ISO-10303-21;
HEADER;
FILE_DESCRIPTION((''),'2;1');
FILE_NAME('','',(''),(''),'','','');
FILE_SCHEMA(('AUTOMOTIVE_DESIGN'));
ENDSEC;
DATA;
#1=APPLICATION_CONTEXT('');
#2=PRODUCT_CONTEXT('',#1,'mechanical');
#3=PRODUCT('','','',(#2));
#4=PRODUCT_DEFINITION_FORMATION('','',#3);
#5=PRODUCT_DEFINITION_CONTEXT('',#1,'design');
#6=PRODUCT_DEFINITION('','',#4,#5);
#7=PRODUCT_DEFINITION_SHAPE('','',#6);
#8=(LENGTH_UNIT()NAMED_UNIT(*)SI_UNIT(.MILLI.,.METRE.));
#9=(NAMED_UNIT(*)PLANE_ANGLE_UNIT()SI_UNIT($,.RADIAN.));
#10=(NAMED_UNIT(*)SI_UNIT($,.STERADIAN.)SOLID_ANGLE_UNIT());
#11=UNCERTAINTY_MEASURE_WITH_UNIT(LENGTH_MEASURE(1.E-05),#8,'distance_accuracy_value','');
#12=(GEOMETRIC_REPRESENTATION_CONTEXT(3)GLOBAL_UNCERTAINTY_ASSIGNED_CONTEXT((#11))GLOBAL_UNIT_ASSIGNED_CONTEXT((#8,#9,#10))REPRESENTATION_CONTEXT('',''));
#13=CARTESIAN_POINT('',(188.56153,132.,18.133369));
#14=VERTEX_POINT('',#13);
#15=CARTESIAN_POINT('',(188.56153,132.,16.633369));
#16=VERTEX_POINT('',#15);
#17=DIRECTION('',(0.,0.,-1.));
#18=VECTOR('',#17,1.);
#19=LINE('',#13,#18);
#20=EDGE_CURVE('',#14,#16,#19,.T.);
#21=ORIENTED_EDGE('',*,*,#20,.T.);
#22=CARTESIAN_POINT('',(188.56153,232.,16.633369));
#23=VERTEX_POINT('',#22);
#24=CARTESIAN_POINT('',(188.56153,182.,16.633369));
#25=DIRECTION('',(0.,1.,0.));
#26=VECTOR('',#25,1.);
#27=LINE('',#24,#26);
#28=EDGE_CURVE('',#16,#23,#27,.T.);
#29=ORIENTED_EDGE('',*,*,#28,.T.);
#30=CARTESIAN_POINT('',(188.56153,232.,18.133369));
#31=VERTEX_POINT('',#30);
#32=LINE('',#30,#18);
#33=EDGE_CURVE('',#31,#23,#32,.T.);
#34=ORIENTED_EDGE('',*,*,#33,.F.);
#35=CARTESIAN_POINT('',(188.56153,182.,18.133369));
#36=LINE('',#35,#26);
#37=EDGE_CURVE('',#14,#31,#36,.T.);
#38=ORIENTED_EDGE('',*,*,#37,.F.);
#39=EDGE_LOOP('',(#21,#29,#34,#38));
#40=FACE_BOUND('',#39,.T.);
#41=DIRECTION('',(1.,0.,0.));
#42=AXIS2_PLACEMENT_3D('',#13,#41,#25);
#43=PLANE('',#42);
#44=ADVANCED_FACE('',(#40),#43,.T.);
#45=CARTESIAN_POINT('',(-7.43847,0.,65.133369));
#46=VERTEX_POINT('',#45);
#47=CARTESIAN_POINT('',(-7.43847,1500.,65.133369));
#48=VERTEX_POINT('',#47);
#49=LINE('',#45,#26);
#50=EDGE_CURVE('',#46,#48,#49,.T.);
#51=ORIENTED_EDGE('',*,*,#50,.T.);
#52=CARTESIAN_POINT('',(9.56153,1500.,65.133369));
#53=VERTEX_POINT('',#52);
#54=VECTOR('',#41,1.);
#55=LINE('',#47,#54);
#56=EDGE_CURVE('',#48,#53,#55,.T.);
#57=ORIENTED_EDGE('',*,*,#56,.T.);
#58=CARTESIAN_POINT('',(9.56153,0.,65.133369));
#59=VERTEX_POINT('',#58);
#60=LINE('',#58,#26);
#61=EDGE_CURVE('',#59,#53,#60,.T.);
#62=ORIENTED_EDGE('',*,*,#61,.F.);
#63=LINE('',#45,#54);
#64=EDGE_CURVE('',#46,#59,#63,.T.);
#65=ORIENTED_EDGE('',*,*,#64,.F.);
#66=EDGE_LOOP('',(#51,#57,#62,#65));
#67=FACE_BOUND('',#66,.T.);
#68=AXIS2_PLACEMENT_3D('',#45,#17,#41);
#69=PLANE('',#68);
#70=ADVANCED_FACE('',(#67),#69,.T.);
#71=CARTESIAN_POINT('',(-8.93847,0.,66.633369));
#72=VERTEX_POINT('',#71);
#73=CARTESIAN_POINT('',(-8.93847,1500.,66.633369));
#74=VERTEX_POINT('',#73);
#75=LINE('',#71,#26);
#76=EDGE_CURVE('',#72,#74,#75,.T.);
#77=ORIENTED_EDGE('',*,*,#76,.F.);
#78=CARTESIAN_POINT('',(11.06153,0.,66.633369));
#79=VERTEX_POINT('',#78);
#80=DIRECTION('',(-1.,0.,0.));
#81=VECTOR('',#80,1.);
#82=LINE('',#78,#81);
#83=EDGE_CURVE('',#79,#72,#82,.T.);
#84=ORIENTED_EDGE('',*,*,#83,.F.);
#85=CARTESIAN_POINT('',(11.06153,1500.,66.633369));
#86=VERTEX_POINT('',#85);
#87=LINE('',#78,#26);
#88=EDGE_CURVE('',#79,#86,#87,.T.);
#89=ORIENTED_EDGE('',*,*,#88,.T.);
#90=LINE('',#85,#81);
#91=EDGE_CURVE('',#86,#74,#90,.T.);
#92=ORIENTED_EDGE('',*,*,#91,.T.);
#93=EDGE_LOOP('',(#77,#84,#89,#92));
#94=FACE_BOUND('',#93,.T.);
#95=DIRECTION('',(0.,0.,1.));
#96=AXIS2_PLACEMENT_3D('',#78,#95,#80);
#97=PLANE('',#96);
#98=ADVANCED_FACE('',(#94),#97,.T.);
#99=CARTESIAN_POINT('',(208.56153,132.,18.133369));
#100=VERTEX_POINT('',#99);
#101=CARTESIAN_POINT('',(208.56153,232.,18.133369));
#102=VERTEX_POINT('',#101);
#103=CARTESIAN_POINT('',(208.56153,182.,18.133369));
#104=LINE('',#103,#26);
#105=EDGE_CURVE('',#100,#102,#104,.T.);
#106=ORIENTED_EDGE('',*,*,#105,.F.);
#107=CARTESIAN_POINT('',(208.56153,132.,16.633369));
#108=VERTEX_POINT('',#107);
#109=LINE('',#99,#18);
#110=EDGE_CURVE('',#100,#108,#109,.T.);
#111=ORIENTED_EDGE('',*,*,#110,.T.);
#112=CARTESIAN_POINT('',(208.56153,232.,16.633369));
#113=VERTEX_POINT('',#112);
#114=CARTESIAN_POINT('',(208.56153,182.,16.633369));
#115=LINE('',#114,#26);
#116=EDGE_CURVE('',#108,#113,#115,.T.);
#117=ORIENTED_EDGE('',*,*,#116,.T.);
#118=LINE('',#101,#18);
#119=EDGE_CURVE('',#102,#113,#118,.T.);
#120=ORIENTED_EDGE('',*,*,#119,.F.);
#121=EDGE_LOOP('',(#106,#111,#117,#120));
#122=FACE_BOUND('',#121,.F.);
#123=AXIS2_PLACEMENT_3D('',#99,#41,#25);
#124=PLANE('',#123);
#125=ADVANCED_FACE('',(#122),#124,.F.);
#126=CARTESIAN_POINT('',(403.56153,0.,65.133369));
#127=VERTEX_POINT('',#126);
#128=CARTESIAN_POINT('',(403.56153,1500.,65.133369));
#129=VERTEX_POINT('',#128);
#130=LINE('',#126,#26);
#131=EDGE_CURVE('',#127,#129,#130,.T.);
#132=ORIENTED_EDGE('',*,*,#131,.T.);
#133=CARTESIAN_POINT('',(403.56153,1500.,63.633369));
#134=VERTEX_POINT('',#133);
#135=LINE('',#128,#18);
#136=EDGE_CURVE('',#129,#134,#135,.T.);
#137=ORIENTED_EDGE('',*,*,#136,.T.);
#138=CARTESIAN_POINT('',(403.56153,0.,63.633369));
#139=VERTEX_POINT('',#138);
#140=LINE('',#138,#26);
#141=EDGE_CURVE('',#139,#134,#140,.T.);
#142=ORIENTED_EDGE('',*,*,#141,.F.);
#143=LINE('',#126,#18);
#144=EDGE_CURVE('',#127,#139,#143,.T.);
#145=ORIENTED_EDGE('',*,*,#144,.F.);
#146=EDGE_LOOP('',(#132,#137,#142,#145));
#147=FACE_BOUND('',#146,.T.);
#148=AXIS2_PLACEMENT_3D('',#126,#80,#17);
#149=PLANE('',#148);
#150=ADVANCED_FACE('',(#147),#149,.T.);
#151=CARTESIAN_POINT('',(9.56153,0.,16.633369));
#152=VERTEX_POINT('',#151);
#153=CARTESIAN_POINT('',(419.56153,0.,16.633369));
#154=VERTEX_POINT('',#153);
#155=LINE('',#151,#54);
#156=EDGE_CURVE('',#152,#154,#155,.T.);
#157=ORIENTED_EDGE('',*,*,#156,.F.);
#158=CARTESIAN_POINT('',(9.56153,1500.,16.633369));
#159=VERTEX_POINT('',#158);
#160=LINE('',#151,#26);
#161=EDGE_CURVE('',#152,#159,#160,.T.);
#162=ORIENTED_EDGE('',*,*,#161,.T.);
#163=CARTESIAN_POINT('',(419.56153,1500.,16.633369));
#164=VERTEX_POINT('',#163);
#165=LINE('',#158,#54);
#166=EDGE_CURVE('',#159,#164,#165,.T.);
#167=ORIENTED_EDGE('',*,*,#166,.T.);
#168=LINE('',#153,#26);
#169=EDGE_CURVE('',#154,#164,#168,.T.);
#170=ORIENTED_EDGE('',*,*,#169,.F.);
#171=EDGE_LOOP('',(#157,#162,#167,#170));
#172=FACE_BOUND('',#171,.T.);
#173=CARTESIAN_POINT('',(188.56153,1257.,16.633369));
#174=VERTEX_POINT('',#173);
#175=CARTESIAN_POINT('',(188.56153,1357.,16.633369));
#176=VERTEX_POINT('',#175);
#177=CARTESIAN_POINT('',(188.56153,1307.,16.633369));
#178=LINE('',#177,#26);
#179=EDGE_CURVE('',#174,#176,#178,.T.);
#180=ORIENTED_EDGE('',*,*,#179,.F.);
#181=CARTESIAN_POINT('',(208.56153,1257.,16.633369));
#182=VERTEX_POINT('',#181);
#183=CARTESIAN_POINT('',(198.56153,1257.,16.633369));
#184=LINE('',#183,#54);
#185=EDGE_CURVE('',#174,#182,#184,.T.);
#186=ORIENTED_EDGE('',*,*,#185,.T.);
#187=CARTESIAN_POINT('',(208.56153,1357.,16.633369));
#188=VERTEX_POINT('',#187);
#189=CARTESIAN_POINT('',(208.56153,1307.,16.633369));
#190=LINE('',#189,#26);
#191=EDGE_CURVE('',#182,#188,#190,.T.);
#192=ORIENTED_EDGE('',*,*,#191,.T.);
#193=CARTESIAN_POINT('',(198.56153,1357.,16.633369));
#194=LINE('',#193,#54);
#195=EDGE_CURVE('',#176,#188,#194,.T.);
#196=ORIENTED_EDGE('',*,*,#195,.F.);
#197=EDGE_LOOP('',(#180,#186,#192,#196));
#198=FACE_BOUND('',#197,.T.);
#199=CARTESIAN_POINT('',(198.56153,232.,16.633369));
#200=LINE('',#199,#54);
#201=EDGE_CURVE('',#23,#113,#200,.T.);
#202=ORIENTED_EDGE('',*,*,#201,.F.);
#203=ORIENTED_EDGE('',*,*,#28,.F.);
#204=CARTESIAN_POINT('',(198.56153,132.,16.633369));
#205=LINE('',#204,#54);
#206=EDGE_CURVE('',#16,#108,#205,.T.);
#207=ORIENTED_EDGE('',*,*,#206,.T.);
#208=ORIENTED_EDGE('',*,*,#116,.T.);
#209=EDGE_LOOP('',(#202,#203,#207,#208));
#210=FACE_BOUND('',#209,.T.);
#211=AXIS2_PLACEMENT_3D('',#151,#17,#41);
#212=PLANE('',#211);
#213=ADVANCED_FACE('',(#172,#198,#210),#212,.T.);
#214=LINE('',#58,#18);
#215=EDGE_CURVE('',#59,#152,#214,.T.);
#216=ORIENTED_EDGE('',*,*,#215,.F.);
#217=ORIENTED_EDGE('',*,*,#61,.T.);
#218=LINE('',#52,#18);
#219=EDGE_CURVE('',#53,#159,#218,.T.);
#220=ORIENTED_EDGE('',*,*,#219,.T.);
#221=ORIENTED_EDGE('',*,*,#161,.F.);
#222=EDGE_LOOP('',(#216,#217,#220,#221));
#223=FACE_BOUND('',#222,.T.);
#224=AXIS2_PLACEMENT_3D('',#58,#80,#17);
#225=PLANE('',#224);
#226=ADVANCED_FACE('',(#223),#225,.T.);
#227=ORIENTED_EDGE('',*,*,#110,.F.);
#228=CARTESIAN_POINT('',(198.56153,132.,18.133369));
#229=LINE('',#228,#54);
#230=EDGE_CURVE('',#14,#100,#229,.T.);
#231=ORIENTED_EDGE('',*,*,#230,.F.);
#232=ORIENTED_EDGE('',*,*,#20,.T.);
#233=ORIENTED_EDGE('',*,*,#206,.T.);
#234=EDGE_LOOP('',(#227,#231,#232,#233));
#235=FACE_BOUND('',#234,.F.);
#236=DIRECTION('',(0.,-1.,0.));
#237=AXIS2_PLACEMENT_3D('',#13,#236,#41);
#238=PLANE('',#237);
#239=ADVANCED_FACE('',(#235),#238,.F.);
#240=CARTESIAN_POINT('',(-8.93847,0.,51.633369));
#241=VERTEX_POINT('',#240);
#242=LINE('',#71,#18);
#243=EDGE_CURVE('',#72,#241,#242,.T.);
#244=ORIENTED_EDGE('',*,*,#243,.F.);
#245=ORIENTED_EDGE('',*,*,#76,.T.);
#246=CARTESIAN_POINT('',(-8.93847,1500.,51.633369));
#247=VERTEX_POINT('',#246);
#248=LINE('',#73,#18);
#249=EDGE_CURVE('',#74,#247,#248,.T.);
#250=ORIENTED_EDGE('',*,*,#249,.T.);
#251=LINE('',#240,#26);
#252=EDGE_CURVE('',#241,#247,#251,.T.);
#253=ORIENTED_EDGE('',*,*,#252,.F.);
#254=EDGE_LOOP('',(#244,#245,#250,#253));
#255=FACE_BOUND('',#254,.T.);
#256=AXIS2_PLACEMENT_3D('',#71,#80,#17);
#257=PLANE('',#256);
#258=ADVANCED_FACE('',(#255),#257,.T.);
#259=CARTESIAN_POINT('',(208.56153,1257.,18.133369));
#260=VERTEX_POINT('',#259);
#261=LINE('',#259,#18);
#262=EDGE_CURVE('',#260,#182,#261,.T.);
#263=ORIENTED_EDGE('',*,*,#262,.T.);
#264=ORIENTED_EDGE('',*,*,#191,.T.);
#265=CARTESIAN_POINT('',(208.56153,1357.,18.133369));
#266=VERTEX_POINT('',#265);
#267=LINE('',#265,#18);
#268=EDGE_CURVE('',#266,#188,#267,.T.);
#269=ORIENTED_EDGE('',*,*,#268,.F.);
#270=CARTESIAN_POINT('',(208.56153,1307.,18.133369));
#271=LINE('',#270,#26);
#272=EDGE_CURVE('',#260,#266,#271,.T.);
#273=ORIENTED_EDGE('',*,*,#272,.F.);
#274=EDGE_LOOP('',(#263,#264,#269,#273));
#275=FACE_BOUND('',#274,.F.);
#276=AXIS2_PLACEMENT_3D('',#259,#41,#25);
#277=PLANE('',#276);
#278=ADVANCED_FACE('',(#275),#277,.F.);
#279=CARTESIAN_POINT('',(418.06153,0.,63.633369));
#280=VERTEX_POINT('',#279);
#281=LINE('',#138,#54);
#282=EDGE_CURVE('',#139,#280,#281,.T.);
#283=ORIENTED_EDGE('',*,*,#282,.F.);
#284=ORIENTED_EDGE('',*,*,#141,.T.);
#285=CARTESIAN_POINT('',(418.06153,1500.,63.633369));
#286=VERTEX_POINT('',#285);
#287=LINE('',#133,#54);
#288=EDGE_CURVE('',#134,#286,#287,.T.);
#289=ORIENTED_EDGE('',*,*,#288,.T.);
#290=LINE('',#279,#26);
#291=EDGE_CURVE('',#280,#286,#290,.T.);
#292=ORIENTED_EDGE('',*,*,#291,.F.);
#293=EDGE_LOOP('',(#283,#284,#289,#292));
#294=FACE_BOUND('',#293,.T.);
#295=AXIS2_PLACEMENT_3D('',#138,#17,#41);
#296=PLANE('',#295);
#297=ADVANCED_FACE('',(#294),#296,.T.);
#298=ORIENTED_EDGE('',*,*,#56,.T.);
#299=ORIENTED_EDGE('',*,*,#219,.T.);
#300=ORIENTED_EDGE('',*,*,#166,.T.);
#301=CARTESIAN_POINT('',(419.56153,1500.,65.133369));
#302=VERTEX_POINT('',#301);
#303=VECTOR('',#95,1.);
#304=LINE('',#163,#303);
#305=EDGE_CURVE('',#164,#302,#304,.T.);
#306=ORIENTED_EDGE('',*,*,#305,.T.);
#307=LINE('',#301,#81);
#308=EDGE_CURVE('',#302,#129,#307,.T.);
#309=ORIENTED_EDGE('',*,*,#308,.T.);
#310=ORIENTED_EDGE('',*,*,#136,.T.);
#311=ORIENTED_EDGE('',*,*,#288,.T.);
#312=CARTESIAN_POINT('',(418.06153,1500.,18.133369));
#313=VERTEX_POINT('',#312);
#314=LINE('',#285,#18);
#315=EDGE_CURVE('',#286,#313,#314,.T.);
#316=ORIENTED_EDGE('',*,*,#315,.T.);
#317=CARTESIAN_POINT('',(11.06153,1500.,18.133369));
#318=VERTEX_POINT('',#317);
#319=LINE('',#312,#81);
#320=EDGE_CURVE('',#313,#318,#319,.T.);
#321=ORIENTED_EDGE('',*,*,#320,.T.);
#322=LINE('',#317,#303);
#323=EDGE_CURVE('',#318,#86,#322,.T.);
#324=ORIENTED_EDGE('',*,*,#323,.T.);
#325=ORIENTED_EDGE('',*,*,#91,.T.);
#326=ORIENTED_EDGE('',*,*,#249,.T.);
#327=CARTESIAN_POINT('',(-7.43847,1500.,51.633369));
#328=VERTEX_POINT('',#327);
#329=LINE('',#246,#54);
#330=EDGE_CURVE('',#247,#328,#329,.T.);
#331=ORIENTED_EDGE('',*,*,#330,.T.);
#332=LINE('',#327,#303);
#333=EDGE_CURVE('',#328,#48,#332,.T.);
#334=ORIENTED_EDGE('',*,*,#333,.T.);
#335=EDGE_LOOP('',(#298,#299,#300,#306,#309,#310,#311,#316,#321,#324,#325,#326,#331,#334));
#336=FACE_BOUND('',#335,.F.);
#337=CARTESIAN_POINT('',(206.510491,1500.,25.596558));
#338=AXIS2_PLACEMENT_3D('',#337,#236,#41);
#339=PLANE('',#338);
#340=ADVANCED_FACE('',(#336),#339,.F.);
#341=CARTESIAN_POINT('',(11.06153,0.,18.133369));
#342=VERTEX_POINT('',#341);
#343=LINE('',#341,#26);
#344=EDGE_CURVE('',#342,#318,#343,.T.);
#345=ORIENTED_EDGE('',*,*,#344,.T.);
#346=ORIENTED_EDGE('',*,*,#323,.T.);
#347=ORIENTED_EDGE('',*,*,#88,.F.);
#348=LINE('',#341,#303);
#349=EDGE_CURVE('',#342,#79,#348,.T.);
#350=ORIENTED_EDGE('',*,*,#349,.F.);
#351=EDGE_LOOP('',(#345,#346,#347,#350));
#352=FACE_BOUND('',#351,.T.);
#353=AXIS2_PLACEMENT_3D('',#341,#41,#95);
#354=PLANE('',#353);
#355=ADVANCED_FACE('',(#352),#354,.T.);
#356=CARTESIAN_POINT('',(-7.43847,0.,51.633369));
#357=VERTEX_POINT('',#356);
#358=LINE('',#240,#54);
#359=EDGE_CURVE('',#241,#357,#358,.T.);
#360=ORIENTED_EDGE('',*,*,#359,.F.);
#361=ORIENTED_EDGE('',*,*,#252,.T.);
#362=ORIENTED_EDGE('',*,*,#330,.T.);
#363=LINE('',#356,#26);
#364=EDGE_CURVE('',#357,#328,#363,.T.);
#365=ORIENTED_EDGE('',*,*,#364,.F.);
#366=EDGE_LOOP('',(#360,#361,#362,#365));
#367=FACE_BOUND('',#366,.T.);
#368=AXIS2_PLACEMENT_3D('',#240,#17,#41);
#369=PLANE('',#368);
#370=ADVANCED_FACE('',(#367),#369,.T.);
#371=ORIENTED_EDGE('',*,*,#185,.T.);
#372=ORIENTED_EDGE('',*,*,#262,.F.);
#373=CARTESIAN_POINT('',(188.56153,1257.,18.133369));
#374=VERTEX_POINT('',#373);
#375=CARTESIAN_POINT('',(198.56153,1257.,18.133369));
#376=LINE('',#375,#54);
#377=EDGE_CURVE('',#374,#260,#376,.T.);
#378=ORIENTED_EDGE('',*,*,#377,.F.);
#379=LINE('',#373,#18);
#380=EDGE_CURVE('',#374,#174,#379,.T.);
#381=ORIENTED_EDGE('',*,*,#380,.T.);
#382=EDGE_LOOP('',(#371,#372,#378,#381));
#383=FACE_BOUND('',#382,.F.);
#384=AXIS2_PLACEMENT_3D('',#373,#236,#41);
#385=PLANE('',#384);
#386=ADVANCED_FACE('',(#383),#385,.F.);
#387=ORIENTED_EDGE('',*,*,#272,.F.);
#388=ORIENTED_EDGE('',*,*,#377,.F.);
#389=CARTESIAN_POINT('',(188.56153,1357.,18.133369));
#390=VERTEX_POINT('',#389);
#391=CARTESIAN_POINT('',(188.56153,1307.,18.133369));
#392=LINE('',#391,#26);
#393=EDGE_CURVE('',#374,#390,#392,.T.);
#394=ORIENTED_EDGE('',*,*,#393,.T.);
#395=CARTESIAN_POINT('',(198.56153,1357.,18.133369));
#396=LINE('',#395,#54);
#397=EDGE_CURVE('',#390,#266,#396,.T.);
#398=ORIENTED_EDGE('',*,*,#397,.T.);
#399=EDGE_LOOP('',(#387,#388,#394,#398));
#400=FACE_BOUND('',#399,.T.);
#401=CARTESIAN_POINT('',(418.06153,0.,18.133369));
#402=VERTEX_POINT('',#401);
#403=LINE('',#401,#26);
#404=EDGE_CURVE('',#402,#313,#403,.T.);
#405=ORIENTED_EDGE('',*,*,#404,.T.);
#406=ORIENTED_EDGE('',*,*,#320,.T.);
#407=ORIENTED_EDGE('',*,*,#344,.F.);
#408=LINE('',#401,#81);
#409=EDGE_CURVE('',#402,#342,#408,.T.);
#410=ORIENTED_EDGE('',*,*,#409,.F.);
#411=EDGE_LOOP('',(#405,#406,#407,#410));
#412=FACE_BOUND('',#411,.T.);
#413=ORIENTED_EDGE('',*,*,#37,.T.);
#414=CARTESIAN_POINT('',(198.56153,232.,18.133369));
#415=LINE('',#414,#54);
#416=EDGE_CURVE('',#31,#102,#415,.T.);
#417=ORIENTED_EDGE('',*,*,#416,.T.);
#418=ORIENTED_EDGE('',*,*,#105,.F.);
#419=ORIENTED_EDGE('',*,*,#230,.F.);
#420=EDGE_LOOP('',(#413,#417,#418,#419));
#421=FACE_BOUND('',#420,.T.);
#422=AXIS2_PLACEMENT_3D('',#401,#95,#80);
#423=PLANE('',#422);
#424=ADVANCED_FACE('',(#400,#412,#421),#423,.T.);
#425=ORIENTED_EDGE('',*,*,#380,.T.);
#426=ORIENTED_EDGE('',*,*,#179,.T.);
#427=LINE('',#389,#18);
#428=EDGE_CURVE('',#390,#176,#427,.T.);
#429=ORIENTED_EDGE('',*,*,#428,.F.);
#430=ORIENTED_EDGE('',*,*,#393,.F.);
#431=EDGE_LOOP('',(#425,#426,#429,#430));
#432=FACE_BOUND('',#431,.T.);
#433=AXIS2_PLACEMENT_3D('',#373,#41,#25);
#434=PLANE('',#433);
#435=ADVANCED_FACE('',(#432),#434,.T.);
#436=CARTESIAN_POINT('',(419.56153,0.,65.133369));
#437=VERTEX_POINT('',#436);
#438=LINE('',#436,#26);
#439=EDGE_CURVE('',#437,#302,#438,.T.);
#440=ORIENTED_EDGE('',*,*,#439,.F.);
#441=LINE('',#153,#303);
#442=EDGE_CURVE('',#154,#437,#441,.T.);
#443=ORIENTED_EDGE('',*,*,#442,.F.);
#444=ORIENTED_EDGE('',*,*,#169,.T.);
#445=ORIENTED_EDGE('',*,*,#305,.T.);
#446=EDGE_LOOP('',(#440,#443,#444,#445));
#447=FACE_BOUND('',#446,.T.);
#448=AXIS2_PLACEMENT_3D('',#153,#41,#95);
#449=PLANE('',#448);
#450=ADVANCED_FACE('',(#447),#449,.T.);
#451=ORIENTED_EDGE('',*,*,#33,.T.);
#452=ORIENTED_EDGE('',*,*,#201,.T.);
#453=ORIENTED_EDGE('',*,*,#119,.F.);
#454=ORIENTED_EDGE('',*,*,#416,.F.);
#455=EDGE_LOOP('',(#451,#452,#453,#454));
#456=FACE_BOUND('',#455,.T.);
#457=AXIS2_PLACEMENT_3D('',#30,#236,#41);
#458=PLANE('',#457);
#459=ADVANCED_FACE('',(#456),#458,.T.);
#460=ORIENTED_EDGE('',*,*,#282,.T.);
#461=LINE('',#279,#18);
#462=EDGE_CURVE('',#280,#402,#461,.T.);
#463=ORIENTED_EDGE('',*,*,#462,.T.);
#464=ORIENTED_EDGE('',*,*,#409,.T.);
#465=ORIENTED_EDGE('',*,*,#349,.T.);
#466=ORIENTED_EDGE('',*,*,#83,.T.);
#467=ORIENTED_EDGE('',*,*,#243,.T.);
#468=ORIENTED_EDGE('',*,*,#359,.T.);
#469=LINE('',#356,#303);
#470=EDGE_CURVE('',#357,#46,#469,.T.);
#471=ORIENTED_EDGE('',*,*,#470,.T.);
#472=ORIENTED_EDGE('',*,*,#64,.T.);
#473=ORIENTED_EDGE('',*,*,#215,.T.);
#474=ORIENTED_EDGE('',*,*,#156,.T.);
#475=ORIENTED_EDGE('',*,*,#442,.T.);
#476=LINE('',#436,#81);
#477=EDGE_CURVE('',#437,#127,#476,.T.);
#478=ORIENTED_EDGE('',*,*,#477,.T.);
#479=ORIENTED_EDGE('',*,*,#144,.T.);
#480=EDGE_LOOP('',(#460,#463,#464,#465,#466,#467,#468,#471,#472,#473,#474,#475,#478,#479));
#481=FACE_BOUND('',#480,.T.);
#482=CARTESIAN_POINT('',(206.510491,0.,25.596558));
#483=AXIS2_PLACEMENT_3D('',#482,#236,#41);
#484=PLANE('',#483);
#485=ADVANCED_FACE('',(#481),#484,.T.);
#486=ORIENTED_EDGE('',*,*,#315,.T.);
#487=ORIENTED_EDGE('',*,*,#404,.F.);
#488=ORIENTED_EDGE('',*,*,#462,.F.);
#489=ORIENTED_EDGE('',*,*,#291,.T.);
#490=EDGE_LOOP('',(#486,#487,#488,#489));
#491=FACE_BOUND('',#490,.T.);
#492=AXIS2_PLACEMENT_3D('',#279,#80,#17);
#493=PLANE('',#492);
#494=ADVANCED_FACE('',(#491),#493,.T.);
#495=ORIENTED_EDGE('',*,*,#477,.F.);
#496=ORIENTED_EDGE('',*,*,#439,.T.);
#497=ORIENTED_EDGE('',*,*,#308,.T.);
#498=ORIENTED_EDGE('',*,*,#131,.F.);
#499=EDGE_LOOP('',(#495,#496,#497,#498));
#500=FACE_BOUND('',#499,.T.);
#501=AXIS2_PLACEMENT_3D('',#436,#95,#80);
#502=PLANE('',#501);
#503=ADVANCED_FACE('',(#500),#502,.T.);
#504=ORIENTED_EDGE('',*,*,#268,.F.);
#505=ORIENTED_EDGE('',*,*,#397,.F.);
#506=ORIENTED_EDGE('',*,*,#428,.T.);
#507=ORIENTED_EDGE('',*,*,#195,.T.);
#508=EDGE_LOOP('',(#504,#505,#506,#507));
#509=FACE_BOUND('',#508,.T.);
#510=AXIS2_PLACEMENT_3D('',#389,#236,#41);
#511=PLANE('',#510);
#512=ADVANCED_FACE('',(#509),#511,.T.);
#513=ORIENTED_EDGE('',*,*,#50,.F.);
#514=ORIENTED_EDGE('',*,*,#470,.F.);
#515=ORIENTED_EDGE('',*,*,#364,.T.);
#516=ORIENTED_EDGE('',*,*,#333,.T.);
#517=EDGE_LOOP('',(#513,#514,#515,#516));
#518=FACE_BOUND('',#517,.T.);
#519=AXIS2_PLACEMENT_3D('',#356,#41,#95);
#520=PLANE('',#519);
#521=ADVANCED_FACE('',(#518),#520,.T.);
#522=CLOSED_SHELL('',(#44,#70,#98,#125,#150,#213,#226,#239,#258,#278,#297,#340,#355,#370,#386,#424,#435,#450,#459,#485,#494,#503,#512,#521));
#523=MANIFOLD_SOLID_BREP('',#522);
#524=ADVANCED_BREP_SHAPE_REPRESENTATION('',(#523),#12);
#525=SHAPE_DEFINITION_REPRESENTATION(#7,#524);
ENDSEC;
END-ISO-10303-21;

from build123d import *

# Parameters (mm, degrees)
F1_DEPTH = 1500
F2_W     = 20
F2_H     = 100
F3_DEPTH = 1.5


with BuildPart() as f1:
    # F0 (on Front) → F1 (new body)
    with BuildSketch(Plane.XZ):
        Polygon((9.56153, 65.133369), (9.56153, 16.633369), (419.56153, 16.633369), (419.56153, 65.133369), (403.56153, 65.133369), (403.56153, 63.633369), (418.06153, 63.633369), (418.06153, 18.133369), (11.06153, 18.133369), (11.06153, 66.633369), (-8.93847, 66.633369), (-8.93847, 51.633369), (-7.43847, 51.633369), (-7.43847, 65.133369), align=None)
    extrude(amount=-F1_DEPTH)

    # F2 (on face) → F3 (cut, through all)
    with BuildSketch(Plane.XY.offset(18.133369)):
        with Locations((198.56153, 182)):
            Rectangle(F2_W, F2_H)
        with Locations((198.56153, 1307)):
            Rectangle(F2_W, F2_H)
    extrude(amount=-F3_DEPTH, mode=Mode.SUBTRACT)


solid = f1.part
